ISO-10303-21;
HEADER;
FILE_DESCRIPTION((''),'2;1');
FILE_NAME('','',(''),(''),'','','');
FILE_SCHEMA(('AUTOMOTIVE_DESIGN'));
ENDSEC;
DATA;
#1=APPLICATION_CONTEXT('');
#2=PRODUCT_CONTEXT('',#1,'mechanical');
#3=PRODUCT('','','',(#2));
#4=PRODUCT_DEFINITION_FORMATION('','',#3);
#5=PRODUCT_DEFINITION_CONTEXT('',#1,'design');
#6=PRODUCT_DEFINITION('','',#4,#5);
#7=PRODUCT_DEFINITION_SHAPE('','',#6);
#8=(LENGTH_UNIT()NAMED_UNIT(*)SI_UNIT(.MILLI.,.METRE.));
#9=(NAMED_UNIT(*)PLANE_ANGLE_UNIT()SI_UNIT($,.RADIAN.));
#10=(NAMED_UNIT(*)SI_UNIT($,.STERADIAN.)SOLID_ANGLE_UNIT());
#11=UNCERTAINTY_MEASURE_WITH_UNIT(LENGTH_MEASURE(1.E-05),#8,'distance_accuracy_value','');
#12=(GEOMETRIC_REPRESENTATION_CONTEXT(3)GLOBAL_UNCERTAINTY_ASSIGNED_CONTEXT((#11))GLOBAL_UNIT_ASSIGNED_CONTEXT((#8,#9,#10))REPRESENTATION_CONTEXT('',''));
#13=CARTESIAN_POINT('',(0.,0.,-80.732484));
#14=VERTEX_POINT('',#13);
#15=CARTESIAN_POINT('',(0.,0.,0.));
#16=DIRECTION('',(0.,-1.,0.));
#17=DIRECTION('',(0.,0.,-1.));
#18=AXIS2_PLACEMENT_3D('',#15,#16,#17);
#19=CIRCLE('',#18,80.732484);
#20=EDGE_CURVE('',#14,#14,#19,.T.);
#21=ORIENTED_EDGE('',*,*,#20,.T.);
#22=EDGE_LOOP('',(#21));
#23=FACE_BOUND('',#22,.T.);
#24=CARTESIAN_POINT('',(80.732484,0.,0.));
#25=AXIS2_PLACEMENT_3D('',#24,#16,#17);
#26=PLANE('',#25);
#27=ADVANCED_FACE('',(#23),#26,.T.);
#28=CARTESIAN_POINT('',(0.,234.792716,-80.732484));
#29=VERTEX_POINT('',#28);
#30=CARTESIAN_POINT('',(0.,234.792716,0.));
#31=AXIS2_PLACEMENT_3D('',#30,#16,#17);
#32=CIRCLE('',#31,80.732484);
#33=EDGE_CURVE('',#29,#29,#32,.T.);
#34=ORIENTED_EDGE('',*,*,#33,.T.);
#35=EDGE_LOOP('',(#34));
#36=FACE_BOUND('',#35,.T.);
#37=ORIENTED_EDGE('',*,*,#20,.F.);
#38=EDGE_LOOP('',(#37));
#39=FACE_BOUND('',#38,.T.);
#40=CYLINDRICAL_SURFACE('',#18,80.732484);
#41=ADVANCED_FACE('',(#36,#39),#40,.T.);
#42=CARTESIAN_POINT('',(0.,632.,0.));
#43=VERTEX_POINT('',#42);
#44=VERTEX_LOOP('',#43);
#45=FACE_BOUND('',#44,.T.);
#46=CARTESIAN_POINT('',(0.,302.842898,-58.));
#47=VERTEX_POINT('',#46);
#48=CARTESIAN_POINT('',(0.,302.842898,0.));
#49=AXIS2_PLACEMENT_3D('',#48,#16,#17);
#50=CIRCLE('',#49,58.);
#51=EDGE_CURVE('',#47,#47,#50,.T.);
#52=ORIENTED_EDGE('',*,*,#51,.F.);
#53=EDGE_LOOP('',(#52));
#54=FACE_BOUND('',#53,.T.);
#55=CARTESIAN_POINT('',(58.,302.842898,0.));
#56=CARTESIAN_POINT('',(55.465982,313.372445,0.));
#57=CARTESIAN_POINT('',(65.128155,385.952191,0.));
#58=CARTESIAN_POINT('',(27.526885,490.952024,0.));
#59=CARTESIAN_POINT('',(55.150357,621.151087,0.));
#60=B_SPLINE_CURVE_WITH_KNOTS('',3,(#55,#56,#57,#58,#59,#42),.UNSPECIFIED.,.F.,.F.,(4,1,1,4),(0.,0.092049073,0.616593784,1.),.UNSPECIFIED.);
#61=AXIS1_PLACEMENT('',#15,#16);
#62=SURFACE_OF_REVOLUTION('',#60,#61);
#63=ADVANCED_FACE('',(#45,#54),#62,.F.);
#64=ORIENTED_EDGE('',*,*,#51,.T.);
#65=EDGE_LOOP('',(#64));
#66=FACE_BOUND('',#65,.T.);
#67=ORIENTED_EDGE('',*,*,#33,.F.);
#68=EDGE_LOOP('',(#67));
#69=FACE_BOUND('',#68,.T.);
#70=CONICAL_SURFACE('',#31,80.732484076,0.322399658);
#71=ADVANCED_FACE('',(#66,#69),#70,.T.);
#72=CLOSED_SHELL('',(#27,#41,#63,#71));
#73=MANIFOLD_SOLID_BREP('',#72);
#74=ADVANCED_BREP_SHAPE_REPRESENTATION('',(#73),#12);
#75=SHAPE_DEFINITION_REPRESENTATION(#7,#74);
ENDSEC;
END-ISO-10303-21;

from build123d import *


with BuildPart() as part:
    # ｽｹｯﾁ3 → 回転1 (revolve)
    with BuildSketch(Plane.XY, mode=Mode.PRIVATE) as revolve_1_sk:
        with BuildLine():
            Line((0, 0), (0, 632))
            add(Edge.make_bspline(
                [(0, 632), (55.150357326, 621.151087312), (27.526884799, 490.9520236), (65.128155072, 385.952190655), (55.465982064, 313.372444948), (58, 302.842898064)],
                knots=[0, 0, 0, 0, 0.383406216, 0.907950927, 1, 1, 1, 1], degree=3))
            Line((58, 302.842898064), (80.732484076, 234.792716425))
            Line((80.732484076, 234.792716425), (80.732484076, 0))
            Line((80.732484076, 0), (0, 0))
        make_face()
    revolve(revolve_1_sk.sketch.rotate(Axis((0, 0, 0), (0, 1, 0)), 90), axis=Axis((0, 0, 0), (0, 1, 0)))


solid = part.part
